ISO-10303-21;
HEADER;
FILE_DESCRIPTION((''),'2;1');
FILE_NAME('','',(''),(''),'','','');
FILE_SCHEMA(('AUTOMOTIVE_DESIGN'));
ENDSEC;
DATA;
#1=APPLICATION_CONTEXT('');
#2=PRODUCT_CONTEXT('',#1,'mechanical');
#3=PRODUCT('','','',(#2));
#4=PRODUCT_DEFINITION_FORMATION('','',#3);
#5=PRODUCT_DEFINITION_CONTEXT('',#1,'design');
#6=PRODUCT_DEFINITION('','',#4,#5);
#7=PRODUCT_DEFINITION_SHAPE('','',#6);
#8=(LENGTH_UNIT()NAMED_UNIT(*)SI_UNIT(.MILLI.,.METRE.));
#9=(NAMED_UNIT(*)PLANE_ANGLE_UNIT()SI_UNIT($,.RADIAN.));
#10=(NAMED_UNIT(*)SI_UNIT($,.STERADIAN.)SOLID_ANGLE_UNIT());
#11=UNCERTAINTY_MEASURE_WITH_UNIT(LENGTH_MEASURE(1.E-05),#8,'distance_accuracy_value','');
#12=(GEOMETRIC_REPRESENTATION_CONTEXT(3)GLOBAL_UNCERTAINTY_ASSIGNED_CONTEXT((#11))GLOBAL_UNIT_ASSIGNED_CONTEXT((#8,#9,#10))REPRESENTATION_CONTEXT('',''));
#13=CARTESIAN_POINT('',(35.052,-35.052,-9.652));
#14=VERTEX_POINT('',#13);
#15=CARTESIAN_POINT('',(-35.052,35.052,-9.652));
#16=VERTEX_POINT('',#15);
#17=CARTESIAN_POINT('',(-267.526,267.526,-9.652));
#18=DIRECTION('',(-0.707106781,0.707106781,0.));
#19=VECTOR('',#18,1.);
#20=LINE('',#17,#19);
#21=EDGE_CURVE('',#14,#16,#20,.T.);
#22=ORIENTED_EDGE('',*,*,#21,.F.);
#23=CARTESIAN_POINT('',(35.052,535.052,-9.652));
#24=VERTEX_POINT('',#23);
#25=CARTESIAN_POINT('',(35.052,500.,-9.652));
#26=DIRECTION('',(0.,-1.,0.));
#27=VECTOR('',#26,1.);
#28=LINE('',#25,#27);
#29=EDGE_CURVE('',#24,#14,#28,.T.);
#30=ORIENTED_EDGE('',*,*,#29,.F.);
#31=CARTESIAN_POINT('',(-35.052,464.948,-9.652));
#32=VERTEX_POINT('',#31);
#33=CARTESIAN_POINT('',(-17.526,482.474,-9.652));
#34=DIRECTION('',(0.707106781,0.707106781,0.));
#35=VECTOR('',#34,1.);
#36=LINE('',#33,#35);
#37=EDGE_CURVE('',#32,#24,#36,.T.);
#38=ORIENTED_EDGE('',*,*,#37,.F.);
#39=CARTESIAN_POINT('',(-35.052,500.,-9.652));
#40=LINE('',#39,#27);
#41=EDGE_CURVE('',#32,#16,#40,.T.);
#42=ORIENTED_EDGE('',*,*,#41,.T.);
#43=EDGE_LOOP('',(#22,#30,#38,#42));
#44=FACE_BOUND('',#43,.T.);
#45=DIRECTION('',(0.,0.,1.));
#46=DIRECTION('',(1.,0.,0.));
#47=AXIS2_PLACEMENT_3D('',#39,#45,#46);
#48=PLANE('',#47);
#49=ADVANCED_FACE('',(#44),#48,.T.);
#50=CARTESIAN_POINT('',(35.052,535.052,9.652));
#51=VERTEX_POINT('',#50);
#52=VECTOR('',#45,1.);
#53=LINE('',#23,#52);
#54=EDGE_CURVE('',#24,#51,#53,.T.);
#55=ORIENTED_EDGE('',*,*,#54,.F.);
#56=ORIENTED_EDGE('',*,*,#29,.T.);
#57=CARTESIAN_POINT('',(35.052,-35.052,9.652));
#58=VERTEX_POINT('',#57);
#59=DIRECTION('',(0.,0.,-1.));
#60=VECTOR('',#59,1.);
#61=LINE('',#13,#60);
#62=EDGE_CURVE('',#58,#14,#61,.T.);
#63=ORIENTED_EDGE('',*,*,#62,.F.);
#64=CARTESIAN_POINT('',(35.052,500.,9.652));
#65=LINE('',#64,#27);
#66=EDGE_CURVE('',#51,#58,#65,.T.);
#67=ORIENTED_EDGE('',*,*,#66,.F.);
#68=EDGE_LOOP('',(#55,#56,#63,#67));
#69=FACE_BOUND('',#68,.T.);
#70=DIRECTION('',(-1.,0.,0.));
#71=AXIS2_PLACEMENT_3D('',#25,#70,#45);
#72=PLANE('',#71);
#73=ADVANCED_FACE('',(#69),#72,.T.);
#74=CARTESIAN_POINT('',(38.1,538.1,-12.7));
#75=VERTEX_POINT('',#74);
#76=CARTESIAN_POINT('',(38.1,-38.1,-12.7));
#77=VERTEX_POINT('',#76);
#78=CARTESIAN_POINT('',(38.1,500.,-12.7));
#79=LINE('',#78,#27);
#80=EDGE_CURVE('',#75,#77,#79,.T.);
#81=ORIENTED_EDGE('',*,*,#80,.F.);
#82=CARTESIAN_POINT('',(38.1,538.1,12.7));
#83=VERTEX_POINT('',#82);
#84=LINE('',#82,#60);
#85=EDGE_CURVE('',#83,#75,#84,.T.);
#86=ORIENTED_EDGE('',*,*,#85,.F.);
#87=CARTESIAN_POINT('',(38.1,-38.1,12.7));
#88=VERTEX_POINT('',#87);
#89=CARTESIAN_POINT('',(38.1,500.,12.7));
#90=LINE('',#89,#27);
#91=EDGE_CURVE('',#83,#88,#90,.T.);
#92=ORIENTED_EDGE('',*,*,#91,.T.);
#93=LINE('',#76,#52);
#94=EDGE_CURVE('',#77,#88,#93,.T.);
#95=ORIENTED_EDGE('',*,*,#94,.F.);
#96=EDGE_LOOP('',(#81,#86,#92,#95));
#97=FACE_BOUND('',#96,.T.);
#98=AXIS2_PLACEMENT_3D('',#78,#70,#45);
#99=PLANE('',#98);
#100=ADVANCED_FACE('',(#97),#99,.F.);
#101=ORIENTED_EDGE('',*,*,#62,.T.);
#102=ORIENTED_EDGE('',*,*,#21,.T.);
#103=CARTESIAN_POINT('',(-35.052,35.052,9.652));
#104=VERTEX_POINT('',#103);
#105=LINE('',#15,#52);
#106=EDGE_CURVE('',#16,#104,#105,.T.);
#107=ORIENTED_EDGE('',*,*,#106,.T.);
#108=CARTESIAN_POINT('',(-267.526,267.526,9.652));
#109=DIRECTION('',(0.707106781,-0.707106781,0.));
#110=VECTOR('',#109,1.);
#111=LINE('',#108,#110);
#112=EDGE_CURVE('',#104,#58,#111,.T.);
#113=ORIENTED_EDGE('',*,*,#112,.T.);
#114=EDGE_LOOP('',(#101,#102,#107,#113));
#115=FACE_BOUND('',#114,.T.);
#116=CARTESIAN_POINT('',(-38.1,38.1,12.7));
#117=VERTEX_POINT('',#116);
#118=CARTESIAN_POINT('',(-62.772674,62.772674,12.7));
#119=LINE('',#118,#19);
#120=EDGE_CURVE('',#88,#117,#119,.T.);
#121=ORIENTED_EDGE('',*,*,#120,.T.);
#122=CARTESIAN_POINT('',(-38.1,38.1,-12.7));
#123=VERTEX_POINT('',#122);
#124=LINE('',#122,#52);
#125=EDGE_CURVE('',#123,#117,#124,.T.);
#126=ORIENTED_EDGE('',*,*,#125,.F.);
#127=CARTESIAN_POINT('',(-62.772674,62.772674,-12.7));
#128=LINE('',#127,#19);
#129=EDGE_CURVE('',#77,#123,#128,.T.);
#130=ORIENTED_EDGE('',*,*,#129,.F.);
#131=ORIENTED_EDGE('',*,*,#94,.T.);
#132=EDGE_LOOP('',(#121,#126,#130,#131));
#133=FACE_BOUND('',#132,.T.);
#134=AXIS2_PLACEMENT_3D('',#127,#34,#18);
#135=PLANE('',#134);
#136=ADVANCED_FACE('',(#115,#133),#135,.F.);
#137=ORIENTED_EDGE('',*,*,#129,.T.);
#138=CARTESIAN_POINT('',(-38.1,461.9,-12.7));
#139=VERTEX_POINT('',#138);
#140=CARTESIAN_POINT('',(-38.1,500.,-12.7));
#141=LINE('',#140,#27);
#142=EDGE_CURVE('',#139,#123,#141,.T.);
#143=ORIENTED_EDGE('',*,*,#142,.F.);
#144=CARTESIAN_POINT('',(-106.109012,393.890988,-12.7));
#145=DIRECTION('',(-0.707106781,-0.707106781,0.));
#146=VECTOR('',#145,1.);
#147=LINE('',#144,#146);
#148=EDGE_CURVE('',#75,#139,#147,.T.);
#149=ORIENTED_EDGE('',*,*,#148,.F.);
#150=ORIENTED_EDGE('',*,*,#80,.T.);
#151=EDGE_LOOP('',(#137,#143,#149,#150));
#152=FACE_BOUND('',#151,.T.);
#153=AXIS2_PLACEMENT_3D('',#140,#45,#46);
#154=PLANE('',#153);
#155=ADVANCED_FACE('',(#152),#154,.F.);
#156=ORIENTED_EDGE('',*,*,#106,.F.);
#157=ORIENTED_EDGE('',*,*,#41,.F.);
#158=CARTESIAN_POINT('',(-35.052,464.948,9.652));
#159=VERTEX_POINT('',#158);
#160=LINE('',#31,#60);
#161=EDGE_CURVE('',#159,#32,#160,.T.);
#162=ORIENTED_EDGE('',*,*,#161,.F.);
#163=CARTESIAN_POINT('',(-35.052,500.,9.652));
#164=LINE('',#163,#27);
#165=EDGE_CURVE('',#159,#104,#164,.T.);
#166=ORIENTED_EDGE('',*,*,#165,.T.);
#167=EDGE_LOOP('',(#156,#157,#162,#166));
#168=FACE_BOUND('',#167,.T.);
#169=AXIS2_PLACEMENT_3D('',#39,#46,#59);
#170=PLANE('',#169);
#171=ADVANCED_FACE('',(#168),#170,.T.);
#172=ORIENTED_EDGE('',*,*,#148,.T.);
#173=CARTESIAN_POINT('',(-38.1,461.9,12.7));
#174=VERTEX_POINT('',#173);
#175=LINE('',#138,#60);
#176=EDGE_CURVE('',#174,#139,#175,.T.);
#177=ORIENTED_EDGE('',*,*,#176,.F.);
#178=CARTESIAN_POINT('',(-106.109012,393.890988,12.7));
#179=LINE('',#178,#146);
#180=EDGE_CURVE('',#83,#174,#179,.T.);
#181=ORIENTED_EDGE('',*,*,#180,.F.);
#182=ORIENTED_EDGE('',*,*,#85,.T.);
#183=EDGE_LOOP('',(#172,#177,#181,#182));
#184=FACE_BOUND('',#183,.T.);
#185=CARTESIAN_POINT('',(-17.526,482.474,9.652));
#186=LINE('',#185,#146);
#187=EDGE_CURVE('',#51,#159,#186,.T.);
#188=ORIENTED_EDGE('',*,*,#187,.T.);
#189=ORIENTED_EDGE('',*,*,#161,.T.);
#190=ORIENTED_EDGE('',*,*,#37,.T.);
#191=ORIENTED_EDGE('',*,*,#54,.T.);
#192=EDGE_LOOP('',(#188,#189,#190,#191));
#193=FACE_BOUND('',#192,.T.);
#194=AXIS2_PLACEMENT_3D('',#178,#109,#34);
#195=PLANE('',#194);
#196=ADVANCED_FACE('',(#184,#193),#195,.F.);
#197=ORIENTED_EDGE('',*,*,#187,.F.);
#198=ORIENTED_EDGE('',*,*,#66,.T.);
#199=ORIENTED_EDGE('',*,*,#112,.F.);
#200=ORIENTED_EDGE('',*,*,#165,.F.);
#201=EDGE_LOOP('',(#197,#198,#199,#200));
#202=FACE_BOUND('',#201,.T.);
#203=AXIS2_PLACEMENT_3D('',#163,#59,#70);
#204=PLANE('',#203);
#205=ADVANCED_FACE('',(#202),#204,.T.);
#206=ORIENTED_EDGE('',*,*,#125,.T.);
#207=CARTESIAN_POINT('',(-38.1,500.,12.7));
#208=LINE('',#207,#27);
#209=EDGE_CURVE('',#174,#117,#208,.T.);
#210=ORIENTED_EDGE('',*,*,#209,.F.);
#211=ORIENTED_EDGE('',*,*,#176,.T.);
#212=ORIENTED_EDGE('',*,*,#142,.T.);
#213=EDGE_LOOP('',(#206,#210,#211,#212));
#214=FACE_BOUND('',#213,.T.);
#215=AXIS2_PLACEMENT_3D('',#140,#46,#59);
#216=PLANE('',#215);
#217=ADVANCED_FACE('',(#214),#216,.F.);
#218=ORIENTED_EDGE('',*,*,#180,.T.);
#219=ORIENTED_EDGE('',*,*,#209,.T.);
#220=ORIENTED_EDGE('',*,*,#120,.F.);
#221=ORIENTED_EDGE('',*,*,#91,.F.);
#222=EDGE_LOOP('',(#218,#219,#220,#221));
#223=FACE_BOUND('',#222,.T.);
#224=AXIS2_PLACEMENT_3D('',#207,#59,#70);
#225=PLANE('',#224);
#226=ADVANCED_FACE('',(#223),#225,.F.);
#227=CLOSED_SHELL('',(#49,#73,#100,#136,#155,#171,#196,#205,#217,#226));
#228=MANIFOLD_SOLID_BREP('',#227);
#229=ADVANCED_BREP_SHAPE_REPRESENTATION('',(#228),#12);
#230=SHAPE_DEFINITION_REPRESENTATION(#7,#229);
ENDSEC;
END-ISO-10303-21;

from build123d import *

# Parameters (mm, degrees)
SKETCH1_W               = 76.2
SKETCH1_H               = 25.4
SKETCH1_W_2             = 70.104
SKETCH1_H_2             = 19.304
BOSS_EXTRUDE1_DEPTH     = 500
SKETCH3_W               = 76.2
SKETCH3_H               = 25.4
SKETCH3_W_2             = 70.104
SKETCH3_H_2             = 19.304
BOSS_EXTRUDE2_DEPTH     = 38.1
SKETCH4_W               = 76.2
SKETCH4_H               = 25.4
SKETCH4_W_2             = 70.104
SKETCH4_H_2             = 19.304
BOSS_EXTRUDE3_DEPTH     = 38.1
CUT_EXTRUDE1_DEPTH      = 13.7
CUT_EXTRUDE1_DEPTH_BACK = 13.7
CUT_EXTRUDE2_DEPTH      = 13.7
CUT_EXTRUDE2_DEPTH_BACK = 13.7


with BuildPart() as part:
    # Sketch1 → Boss-Extrude1 (new body)
    with BuildSketch(Plane(origin=(0, 0, 0), x_dir=(1, 0, 0), z_dir=(0, 1, 0))):
        Rectangle(SKETCH1_W, SKETCH1_H)
        Rectangle(SKETCH1_W_2, SKETCH1_H_2, mode=Mode.SUBTRACT)
    extrude(amount=BOSS_EXTRUDE1_DEPTH)

    # Sketch3 → Boss-Extrude2 (add)
    with BuildSketch(Plane.XZ):
        Rectangle(SKETCH3_W, SKETCH3_H)
        Rectangle(SKETCH3_W_2, SKETCH3_H_2, mode=Mode.SUBTRACT)
    extrude(amount=BOSS_EXTRUDE2_DEPTH)

    # Sketch4 → Boss-Extrude3 (add)
    with BuildSketch(Plane(origin=(0, 500, 0), x_dir=(1, 0, 0), z_dir=(0, 1, 0))):
        Rectangle(SKETCH4_W, SKETCH4_H)
        Rectangle(SKETCH4_W_2, SKETCH4_H_2, mode=Mode.SUBTRACT)
    extrude(amount=BOSS_EXTRUDE3_DEPTH)

    # Sketch5 → Cut-Extrude1 (cut, two sides)
    with BuildSketch(Plane.XY) as cut_extrude1_sk:
        Polygon((-62.772673854, 62.772673854), (63.030718061, -63.030718061), (-91.484443541, -186.384573668), (-217.287835457, -60.581181752), align=None)
    extrude(amount=CUT_EXTRUDE1_DEPTH, mode=Mode.SUBTRACT)
    extrude(cut_extrude1_sk.sketch, amount=-CUT_EXTRUDE1_DEPTH_BACK, mode=Mode.SUBTRACT)

    # Sketch6 → Cut-Extrude2 (cut, two sides)
    with BuildSketch(Plane.YX) as cut_extrude2_sk:
        Polygon((393.890988206, -106.109011794), (558.855850204, 58.855850204), (555.016088259, -106.109011794), align=None)
    extrude(amount=CUT_EXTRUDE2_DEPTH, mode=Mode.SUBTRACT)
    extrude(cut_extrude2_sk.sketch, amount=-CUT_EXTRUDE2_DEPTH_BACK, mode=Mode.SUBTRACT)


solid = part.part
